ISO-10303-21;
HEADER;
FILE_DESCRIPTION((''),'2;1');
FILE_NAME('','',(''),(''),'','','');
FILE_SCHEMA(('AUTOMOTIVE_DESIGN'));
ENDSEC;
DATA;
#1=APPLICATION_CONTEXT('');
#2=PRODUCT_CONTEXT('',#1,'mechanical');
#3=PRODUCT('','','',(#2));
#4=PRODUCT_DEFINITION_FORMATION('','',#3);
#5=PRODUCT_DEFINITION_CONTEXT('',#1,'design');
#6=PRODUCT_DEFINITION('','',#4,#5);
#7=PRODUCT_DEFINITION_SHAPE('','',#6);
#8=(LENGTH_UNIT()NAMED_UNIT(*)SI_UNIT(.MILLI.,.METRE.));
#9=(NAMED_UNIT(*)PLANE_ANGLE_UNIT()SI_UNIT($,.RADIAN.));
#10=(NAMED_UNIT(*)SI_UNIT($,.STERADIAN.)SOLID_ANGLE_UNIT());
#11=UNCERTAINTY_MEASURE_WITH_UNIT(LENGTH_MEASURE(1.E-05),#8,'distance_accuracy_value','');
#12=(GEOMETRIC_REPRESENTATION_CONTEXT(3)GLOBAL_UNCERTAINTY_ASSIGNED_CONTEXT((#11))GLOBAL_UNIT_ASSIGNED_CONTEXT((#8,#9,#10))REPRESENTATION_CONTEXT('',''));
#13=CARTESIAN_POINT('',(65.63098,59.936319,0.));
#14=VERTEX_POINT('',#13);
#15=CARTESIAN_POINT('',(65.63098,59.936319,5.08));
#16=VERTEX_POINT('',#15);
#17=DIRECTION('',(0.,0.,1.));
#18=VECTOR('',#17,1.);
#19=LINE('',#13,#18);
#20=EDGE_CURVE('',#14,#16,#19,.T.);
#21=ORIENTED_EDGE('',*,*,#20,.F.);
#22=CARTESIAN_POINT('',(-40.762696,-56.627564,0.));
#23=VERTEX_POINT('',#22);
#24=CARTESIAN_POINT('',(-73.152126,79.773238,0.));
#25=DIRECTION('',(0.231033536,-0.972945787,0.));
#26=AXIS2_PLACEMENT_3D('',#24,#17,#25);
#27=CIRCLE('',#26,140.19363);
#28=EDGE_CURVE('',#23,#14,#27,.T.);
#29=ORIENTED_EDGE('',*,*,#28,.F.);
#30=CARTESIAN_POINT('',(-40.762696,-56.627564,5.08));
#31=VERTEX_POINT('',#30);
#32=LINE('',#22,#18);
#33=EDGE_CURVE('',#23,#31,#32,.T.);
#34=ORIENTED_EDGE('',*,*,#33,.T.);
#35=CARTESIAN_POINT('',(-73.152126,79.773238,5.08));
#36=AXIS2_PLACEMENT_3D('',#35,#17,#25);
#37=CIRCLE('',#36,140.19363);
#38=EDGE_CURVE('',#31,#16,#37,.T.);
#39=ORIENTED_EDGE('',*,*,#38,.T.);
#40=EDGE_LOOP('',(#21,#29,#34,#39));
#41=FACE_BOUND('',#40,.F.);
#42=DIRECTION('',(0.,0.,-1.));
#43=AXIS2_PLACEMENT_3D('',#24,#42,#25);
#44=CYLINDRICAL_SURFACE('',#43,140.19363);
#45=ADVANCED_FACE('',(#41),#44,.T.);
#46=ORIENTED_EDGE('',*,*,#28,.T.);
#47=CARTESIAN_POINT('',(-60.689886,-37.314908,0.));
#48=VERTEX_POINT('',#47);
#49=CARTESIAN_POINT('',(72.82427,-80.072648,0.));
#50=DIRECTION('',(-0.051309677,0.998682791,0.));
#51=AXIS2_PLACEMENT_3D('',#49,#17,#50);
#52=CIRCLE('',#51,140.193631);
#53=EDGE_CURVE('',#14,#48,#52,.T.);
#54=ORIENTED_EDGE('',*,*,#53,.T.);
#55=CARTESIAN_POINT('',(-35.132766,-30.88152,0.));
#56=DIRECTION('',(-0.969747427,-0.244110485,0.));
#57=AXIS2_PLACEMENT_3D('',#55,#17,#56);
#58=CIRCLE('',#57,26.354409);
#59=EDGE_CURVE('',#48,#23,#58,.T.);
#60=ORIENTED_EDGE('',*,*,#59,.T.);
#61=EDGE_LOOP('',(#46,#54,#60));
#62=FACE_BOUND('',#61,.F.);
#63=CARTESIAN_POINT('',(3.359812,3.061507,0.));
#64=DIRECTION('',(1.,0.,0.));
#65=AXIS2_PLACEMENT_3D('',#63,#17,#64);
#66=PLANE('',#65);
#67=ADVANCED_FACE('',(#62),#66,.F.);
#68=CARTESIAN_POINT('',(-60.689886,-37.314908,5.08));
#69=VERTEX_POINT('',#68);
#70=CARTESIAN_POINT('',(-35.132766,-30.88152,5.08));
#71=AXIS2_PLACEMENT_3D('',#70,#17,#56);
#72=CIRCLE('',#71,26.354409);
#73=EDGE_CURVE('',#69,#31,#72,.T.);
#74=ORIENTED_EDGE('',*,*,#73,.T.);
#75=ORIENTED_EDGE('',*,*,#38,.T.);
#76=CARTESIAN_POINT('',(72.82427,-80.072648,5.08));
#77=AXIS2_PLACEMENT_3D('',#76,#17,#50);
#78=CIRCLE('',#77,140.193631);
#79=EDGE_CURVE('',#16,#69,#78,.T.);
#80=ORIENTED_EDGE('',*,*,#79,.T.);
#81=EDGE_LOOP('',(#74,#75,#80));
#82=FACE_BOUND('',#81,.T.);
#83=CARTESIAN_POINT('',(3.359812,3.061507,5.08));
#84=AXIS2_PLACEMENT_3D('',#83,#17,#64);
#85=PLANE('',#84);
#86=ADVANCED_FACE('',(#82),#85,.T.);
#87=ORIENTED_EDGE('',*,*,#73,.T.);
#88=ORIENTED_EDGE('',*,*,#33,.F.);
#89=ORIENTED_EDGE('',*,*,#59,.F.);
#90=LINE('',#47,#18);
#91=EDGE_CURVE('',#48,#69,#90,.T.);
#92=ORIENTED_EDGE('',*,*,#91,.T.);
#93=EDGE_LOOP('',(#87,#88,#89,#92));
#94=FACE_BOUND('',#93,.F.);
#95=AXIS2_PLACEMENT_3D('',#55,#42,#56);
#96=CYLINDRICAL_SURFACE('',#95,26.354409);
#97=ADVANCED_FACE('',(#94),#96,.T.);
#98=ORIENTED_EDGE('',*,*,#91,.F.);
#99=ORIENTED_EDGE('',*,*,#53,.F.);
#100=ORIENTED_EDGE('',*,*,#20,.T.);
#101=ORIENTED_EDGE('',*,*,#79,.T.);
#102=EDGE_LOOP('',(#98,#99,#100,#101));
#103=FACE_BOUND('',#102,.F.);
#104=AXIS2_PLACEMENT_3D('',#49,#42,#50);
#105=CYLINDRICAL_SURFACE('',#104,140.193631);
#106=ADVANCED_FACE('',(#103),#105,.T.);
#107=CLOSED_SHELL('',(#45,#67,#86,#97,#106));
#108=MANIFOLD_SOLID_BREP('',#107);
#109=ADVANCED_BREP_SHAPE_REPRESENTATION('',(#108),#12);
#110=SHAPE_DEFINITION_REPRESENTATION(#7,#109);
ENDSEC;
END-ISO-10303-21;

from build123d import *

# Parameters (mm, degrees)
F1_DEPTH = 5.08


with BuildPart() as f1:
    # F0 (on Top) → F1 (new body)
    with BuildSketch(Plane.XY):
        with BuildLine():
            ThreePointArc((-40.762696, -56.627564), (30.39397, -14.738454), (65.63098, 59.936319))
            ThreePointArc((65.63098, 59.936319), (-12.698222, 31.013614), (-60.689886, -37.314908))
            ThreePointArc((-60.689886, -37.314908), (-53.47405, -49.806429), (-40.762696, -56.627564))
        make_face()
    extrude(amount=F1_DEPTH)


solid = f1.part
